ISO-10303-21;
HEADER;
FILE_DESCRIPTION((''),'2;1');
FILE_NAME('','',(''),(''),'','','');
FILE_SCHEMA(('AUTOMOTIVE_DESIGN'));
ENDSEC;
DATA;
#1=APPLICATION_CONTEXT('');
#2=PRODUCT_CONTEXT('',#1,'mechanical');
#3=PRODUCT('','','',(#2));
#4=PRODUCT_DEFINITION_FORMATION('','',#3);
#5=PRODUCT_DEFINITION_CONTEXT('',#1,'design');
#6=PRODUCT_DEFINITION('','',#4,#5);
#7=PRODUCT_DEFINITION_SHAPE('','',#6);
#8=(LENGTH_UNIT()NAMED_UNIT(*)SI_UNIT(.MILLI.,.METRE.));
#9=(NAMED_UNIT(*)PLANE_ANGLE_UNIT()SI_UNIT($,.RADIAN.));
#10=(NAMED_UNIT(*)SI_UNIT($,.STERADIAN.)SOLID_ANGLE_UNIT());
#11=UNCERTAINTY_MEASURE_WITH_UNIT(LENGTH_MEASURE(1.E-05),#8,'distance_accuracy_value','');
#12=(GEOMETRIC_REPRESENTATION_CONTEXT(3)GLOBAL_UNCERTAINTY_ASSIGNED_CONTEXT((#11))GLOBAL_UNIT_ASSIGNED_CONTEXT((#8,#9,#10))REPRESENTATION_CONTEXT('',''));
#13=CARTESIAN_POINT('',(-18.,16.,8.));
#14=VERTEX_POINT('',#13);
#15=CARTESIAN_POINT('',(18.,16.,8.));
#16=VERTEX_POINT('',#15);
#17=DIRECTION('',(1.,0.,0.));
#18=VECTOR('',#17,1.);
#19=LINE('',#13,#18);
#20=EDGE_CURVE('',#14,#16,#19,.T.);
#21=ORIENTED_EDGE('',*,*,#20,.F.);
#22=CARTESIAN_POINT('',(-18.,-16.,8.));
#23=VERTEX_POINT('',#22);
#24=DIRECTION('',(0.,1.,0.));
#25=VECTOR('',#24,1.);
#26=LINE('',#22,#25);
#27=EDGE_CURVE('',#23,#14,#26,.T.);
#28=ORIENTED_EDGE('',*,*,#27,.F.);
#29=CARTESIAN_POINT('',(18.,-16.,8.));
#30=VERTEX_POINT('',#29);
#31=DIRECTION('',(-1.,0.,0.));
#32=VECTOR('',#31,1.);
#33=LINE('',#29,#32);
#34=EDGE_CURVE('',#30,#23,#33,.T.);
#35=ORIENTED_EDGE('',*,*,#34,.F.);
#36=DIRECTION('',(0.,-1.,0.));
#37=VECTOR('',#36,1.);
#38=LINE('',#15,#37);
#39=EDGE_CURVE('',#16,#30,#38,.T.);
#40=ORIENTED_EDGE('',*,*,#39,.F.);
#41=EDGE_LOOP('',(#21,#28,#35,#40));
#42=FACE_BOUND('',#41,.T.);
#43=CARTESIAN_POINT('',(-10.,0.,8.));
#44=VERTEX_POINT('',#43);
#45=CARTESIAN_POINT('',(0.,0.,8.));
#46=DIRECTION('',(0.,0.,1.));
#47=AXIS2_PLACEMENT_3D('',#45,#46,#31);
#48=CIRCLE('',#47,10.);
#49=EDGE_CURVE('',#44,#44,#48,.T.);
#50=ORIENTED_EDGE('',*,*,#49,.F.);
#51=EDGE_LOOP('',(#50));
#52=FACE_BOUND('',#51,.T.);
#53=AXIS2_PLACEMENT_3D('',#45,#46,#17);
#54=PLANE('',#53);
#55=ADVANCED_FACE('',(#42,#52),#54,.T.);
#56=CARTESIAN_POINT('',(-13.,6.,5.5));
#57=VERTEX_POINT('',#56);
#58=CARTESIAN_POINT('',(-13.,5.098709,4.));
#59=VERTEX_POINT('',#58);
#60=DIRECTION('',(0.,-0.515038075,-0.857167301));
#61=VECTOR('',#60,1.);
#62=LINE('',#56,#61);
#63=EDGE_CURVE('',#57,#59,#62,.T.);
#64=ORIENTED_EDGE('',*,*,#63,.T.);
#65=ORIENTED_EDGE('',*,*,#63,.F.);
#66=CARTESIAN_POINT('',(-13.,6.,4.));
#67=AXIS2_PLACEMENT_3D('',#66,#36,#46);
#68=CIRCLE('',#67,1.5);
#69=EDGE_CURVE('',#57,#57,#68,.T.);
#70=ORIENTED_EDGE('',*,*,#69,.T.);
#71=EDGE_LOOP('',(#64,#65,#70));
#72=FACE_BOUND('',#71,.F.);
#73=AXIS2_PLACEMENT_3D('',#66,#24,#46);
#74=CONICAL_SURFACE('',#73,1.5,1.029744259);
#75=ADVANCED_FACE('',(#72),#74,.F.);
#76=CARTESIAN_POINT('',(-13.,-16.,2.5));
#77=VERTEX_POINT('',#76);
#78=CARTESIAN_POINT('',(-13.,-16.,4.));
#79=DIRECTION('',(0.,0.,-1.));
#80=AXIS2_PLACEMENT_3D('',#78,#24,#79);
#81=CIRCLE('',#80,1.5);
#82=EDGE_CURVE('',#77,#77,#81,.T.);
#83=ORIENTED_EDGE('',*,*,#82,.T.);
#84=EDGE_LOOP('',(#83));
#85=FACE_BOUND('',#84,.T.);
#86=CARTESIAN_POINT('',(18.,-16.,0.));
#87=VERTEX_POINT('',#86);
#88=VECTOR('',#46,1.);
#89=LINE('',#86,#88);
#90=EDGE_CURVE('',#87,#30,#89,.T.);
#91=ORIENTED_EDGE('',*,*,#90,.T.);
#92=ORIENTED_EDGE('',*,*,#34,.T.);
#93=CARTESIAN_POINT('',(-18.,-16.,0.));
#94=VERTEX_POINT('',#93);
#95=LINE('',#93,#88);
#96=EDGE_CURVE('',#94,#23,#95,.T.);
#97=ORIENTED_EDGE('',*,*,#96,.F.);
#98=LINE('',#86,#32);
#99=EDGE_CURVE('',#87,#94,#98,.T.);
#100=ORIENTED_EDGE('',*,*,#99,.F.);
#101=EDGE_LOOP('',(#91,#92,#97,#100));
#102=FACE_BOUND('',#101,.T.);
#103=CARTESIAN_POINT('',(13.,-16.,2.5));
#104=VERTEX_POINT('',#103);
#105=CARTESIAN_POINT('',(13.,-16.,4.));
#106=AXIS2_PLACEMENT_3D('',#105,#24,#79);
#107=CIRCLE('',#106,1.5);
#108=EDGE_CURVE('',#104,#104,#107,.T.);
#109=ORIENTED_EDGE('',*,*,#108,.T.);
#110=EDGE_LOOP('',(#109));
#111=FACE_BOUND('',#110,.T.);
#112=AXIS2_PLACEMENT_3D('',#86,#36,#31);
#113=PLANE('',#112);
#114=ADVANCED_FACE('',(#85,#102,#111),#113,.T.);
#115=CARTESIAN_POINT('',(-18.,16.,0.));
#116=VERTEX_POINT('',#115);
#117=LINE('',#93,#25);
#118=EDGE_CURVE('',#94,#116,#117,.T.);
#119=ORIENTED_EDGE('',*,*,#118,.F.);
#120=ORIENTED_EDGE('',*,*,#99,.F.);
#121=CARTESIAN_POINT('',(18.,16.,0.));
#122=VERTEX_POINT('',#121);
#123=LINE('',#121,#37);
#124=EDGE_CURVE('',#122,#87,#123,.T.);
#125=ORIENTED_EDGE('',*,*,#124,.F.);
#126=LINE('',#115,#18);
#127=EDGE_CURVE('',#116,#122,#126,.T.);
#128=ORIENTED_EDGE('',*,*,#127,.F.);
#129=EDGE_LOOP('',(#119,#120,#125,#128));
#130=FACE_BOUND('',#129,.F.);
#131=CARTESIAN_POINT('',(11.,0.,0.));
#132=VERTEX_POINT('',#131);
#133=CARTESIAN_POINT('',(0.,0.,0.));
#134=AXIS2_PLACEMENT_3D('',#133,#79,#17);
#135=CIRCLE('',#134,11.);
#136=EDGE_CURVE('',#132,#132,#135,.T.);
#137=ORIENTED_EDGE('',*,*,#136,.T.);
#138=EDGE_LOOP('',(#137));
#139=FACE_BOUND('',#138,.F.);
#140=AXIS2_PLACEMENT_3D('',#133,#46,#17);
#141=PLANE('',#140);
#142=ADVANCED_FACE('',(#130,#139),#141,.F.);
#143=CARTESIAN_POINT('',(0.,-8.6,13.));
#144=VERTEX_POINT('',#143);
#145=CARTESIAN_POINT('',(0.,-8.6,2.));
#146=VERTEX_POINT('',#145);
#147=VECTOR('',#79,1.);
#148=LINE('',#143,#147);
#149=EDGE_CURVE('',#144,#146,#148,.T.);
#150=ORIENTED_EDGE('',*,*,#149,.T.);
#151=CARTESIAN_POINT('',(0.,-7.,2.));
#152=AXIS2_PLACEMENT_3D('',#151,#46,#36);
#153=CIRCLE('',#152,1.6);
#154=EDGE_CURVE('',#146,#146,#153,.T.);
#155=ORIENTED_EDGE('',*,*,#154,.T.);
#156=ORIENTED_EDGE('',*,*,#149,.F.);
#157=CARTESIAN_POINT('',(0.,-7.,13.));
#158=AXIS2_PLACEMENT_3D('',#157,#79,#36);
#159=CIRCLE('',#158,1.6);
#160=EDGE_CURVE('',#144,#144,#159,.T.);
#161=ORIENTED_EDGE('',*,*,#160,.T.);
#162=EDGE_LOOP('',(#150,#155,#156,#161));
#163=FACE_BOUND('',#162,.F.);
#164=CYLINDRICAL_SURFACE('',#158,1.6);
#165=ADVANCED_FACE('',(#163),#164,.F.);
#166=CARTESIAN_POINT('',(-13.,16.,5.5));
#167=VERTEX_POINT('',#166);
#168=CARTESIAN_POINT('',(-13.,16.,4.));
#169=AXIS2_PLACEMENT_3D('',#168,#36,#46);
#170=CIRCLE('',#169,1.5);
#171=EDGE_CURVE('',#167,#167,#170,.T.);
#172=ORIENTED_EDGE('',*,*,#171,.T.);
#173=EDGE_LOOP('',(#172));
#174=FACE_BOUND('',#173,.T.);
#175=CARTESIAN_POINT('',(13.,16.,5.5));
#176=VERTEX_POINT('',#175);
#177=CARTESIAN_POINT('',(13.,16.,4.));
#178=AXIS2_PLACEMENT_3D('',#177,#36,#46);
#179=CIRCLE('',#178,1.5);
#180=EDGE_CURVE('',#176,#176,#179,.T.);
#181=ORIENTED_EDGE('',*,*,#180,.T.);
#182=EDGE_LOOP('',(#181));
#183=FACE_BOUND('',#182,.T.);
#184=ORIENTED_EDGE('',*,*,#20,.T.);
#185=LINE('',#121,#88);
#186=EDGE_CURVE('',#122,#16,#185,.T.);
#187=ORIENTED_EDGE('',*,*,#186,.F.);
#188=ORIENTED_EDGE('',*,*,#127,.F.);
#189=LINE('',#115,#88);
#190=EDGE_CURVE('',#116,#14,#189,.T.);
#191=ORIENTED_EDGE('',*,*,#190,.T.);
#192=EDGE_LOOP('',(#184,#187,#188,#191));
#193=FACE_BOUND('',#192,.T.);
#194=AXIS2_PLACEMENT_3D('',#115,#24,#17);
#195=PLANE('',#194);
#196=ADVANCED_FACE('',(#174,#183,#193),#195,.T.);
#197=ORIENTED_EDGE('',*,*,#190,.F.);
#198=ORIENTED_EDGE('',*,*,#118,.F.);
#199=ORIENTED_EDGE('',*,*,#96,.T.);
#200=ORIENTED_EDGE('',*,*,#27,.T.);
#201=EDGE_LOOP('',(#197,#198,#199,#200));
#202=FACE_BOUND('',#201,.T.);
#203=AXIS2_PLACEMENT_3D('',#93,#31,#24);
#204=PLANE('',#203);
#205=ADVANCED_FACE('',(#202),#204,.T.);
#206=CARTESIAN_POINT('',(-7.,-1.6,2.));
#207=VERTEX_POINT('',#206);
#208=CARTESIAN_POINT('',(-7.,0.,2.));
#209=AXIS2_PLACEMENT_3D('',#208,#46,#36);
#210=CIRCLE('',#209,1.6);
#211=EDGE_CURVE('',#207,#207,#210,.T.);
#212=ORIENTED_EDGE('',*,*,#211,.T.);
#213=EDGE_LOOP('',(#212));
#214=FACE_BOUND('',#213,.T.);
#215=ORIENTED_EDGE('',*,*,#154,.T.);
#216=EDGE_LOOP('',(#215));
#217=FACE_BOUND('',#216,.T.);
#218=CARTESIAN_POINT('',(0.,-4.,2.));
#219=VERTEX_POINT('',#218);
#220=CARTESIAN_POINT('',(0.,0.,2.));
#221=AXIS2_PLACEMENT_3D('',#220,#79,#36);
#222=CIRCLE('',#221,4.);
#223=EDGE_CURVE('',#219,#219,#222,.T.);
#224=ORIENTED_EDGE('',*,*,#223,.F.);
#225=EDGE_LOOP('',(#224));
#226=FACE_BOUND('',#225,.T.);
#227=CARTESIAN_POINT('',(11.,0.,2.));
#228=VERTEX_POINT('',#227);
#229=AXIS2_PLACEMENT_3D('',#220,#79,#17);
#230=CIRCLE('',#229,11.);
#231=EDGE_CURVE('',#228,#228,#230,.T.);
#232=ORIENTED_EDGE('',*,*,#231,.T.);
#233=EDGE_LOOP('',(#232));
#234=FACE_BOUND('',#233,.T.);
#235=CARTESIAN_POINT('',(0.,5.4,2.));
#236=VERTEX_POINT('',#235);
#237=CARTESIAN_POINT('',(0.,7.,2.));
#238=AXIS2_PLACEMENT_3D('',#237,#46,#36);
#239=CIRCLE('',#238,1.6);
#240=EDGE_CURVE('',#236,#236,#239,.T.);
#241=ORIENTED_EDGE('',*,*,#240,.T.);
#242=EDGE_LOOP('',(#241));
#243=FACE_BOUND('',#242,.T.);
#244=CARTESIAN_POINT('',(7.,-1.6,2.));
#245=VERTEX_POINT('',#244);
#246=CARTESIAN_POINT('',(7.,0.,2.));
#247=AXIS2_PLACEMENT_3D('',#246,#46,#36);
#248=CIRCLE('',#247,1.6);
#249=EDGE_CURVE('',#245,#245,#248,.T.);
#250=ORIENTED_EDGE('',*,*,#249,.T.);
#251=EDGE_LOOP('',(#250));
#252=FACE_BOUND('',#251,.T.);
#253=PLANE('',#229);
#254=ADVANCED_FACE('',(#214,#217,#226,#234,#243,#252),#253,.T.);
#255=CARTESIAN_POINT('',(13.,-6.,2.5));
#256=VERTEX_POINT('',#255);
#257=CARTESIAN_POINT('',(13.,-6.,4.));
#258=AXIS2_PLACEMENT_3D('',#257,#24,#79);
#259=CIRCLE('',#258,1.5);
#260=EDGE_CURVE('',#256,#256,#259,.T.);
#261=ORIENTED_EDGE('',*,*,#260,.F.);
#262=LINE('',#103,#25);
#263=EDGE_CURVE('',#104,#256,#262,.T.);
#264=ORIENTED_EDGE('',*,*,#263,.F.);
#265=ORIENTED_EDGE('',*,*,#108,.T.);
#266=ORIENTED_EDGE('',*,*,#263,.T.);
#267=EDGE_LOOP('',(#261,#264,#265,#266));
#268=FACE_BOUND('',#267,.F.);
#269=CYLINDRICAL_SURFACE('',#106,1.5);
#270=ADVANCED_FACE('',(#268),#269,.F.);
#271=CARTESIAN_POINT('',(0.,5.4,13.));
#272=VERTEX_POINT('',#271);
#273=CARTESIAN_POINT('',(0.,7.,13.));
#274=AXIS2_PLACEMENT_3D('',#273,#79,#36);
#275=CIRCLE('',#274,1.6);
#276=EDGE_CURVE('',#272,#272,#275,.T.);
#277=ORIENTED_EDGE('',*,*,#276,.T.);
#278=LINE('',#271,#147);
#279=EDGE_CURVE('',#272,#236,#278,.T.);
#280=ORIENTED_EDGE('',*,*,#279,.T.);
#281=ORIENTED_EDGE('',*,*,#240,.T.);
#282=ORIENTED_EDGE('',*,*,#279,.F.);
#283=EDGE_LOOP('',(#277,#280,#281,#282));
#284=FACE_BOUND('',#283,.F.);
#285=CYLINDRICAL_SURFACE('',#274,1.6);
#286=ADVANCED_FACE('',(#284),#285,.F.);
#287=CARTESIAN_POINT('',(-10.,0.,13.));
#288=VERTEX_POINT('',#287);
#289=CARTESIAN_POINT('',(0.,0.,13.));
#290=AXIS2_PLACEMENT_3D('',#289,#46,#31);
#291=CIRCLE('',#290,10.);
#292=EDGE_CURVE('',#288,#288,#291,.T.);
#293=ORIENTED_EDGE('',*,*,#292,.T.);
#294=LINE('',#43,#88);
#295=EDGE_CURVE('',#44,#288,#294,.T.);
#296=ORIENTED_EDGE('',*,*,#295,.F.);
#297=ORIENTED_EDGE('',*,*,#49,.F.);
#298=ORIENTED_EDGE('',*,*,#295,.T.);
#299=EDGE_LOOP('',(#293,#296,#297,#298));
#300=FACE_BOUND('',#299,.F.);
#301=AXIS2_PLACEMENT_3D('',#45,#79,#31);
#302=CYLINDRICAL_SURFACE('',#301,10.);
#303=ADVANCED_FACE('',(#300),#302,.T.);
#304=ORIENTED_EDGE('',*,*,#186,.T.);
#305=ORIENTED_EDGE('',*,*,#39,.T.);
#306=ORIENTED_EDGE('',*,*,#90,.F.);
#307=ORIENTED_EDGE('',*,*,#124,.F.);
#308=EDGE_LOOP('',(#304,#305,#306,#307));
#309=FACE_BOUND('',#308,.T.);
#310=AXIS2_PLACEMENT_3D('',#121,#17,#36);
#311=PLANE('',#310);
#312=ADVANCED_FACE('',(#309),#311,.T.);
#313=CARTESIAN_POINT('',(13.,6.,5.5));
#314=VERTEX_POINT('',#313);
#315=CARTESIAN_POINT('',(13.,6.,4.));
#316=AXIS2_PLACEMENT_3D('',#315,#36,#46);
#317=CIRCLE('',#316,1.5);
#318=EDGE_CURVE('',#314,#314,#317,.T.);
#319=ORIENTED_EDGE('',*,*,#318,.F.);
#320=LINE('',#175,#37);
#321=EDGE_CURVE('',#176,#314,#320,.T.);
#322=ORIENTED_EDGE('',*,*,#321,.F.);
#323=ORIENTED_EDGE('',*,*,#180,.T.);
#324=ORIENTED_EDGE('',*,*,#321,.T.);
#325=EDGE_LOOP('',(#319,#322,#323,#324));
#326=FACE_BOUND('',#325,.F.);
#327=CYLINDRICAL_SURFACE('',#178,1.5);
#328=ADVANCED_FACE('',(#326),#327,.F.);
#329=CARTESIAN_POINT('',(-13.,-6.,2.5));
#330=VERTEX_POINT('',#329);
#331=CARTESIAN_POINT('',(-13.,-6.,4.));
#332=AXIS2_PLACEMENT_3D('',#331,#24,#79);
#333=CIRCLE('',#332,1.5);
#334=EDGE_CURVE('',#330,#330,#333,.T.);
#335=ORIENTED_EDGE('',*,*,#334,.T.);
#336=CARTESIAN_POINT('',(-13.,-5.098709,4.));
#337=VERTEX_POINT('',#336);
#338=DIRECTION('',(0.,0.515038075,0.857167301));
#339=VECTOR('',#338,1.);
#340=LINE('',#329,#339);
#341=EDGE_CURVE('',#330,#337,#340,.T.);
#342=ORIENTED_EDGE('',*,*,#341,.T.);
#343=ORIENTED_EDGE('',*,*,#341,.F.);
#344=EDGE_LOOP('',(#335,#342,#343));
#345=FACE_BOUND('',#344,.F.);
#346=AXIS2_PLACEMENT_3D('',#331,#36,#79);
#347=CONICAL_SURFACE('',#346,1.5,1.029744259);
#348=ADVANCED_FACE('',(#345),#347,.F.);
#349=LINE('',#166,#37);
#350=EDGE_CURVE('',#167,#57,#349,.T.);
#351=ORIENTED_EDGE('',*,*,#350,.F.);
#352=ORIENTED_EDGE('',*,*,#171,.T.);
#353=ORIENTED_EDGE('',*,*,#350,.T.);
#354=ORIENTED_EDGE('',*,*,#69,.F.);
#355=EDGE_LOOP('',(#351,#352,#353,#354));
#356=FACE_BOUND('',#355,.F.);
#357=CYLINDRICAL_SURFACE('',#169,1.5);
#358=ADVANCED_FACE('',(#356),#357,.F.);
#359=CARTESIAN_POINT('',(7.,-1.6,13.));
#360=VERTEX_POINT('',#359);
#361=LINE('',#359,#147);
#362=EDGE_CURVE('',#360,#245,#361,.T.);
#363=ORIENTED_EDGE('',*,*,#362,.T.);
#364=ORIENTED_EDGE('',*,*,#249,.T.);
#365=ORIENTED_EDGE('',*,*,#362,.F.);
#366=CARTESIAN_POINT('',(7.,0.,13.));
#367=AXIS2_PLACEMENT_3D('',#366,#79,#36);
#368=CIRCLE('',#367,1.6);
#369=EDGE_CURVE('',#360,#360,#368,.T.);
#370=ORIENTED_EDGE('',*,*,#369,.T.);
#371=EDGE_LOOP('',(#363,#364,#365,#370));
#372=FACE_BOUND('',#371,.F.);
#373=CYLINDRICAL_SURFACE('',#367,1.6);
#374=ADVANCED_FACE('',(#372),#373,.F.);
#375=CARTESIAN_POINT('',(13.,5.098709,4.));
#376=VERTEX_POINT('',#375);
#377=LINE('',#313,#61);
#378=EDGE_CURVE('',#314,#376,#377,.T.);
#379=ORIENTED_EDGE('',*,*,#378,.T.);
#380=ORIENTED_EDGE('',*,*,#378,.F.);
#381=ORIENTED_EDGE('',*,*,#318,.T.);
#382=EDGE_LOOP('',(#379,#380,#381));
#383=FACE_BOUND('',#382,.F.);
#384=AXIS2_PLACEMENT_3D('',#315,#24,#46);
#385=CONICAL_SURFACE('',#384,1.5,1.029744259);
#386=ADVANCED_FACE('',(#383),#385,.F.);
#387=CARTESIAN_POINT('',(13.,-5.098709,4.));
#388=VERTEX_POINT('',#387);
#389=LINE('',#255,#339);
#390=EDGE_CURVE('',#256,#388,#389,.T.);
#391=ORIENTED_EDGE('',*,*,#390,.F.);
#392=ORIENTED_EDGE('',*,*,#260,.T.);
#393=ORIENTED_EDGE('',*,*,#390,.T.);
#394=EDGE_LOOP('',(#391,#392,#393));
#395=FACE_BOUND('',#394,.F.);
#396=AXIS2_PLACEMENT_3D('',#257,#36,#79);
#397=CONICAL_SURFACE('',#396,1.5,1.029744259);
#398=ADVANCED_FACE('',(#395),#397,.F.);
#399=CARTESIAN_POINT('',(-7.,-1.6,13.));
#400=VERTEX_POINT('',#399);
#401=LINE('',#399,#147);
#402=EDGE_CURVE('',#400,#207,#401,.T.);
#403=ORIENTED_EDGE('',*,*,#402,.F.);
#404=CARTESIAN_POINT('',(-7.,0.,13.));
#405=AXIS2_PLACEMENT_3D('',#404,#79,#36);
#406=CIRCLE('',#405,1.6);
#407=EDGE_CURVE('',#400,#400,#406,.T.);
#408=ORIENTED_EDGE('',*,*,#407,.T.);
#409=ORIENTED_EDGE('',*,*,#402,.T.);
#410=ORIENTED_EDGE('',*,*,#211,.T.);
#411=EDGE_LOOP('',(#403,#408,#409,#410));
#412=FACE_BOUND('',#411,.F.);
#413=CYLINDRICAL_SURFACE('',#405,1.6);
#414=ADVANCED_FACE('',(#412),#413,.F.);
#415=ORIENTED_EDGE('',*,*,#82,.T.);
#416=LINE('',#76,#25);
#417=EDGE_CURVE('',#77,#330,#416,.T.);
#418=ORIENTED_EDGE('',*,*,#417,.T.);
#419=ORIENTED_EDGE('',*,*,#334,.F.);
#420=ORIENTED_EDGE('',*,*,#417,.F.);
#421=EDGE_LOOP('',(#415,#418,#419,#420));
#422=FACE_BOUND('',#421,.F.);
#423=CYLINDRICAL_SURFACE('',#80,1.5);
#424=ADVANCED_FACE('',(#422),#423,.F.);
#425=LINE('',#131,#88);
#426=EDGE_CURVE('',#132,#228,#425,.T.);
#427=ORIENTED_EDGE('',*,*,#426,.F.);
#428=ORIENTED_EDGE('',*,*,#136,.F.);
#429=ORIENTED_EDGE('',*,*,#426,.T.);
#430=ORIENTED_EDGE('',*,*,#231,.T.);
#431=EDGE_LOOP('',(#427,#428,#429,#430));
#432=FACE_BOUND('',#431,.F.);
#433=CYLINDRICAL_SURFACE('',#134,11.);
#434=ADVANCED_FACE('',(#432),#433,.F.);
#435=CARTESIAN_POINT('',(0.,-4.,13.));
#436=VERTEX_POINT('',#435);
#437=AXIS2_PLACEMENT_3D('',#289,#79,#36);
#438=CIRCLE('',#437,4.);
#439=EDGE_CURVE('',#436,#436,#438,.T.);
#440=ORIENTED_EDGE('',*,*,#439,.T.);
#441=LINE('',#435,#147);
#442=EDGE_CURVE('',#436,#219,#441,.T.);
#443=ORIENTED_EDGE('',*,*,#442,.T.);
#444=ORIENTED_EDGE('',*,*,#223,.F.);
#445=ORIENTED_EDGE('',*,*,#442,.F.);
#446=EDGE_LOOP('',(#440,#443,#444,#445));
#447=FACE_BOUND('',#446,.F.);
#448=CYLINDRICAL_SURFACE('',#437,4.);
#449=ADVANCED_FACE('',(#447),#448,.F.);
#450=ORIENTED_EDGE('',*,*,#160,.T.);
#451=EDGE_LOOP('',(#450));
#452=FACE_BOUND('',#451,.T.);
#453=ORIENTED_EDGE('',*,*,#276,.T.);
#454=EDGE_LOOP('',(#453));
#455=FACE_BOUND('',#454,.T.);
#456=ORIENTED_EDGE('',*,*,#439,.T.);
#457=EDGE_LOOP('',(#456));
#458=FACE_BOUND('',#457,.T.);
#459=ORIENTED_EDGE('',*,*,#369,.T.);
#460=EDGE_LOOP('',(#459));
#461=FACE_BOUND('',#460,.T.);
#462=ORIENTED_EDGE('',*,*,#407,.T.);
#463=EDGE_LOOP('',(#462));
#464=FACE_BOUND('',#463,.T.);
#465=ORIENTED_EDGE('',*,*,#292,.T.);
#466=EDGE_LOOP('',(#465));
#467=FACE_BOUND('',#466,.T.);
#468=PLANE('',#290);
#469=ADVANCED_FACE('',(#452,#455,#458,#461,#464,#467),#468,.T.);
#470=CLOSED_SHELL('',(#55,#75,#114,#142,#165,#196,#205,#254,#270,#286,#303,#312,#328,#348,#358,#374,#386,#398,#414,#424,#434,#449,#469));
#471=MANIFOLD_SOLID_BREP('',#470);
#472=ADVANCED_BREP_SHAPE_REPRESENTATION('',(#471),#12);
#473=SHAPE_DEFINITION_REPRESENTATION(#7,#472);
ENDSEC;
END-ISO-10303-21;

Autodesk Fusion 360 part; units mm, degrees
sketch "スケッチ2" plane through (0, 0, 0) normal (0, 0, 1) x (1, 0, 0)
  line L0 (-18, 16) -> (18, 16)
  line L1 (18, 16) -> (18, -16)
  line L2 (18, -16) -> (-18, -16)
  line L3 (-18, -16) -> (-18, 16)
  point P0 (18, 0)
  dimension "d8" = 32
  dimension "d9" = 18
  dimension "d10" = 18
extrude "押し出し2" add sketch "スケッチ2" along normal blind 8
sketch "スケッチ3" plane through (0, 0, 8) normal (0, 0, 1) x (-1, 0, 0)
  line L0 (18, 16) -> (-18, 16)
  line L1 (-18, 16) -> (-18, -16)
  line L2 (-18, -16) -> (18, -16)
  line L3 (18, -16) -> (18, 16)
  circle A0 centre (0, 0) radius 10
  dimension "d13" = 20
extrude "押し出し3" add sketch "スケッチ3" along normal blind 5 contours A0
sketch "スケッチ4" plane through (0, 0, 13) normal (0, 0, 1) x (-1, 0, 0)
  circle A0 centre (0, 0) radius 10
  circle A1 centre (0, 0) radius 7
  line L0 (7, 0) -> (-7, 0)
  line L1 (0, -7) -> (0, 7)
  dimension "d16" = 14
hole "穴2" at (-7, 0, 13) at (0, 7, 13) at (7, 0, 13) at (0, -7, 13) direction (0, 0, -1) diameter 3.2 end through all
sketch "スケッチ5" plane through (0, -16, 0) normal (0, -1, 0) x (1, 0, 0)
  line L0 (-18, 0) -> (18, 0)
  line L1 (18, 0) -> (18, 8)
  line L2 (18, 8) -> (-18, 8)
  line L3 (-18, 8) -> (-18, 0)
  line L4 (-13, 4) -> (13, 4)
  dimension "d21" = 5
  dimension "d23" = 4
  dimension "d24" = 5
hole "穴3" at (-13, -16, 4) at (13, -16, 4) direction (0, 1, 0) diameter 3 depth 10 tip angle 118
sketch "スケッチ6" plane through (0, 16, 0) normal (0, 1, 0) x (-1, 0, 0)
  line L0 (-18, 0) -> (18, 0)
  line L1 (18, 0) -> (18, 8)
  line L2 (18, 8) -> (-18, 8)
  line L3 (-18, 8) -> (-18, 0)
  line L4 (-13, 4) -> (13, 4)
  dimension "d28" = 4
  dimension "d29" = 5
  dimension "d30" = 5
hole "穴4" at (13, 16, 4) at (-13, 16, 4) direction (0, -1, 0) diameter 3 depth 10 tip angle 118
thread "ねじ2"
sketch "スケッチ7" plane through (0, 0, 0) normal (0, 0, -1) x (1, 0, 0)
  circle A0 centre (7, 0) radius 1.6
  circle A1 centre (-7, 0) radius 1.6
  circle A2 centre (0, -7) radius 1.6
  circle A3 centre (0, 7) radius 1.6
  line L0 (18, 16) -> (-18, 16)
  line L1 (-18, 16) -> (-18, -16)
  line L2 (-18, -16) -> (18, -16)
  line L3 (18, -16) -> (18, 16)
  circle A4 centre (0, 0) radius 11
  dimension "d34" = 22
extrude "押し出し4" cut sketch "スケッチ7" against normal blind 2 contours A4
hole "穴5" at (0, 0, 13) direction (0, 0, -1) diameter 8 end through all
